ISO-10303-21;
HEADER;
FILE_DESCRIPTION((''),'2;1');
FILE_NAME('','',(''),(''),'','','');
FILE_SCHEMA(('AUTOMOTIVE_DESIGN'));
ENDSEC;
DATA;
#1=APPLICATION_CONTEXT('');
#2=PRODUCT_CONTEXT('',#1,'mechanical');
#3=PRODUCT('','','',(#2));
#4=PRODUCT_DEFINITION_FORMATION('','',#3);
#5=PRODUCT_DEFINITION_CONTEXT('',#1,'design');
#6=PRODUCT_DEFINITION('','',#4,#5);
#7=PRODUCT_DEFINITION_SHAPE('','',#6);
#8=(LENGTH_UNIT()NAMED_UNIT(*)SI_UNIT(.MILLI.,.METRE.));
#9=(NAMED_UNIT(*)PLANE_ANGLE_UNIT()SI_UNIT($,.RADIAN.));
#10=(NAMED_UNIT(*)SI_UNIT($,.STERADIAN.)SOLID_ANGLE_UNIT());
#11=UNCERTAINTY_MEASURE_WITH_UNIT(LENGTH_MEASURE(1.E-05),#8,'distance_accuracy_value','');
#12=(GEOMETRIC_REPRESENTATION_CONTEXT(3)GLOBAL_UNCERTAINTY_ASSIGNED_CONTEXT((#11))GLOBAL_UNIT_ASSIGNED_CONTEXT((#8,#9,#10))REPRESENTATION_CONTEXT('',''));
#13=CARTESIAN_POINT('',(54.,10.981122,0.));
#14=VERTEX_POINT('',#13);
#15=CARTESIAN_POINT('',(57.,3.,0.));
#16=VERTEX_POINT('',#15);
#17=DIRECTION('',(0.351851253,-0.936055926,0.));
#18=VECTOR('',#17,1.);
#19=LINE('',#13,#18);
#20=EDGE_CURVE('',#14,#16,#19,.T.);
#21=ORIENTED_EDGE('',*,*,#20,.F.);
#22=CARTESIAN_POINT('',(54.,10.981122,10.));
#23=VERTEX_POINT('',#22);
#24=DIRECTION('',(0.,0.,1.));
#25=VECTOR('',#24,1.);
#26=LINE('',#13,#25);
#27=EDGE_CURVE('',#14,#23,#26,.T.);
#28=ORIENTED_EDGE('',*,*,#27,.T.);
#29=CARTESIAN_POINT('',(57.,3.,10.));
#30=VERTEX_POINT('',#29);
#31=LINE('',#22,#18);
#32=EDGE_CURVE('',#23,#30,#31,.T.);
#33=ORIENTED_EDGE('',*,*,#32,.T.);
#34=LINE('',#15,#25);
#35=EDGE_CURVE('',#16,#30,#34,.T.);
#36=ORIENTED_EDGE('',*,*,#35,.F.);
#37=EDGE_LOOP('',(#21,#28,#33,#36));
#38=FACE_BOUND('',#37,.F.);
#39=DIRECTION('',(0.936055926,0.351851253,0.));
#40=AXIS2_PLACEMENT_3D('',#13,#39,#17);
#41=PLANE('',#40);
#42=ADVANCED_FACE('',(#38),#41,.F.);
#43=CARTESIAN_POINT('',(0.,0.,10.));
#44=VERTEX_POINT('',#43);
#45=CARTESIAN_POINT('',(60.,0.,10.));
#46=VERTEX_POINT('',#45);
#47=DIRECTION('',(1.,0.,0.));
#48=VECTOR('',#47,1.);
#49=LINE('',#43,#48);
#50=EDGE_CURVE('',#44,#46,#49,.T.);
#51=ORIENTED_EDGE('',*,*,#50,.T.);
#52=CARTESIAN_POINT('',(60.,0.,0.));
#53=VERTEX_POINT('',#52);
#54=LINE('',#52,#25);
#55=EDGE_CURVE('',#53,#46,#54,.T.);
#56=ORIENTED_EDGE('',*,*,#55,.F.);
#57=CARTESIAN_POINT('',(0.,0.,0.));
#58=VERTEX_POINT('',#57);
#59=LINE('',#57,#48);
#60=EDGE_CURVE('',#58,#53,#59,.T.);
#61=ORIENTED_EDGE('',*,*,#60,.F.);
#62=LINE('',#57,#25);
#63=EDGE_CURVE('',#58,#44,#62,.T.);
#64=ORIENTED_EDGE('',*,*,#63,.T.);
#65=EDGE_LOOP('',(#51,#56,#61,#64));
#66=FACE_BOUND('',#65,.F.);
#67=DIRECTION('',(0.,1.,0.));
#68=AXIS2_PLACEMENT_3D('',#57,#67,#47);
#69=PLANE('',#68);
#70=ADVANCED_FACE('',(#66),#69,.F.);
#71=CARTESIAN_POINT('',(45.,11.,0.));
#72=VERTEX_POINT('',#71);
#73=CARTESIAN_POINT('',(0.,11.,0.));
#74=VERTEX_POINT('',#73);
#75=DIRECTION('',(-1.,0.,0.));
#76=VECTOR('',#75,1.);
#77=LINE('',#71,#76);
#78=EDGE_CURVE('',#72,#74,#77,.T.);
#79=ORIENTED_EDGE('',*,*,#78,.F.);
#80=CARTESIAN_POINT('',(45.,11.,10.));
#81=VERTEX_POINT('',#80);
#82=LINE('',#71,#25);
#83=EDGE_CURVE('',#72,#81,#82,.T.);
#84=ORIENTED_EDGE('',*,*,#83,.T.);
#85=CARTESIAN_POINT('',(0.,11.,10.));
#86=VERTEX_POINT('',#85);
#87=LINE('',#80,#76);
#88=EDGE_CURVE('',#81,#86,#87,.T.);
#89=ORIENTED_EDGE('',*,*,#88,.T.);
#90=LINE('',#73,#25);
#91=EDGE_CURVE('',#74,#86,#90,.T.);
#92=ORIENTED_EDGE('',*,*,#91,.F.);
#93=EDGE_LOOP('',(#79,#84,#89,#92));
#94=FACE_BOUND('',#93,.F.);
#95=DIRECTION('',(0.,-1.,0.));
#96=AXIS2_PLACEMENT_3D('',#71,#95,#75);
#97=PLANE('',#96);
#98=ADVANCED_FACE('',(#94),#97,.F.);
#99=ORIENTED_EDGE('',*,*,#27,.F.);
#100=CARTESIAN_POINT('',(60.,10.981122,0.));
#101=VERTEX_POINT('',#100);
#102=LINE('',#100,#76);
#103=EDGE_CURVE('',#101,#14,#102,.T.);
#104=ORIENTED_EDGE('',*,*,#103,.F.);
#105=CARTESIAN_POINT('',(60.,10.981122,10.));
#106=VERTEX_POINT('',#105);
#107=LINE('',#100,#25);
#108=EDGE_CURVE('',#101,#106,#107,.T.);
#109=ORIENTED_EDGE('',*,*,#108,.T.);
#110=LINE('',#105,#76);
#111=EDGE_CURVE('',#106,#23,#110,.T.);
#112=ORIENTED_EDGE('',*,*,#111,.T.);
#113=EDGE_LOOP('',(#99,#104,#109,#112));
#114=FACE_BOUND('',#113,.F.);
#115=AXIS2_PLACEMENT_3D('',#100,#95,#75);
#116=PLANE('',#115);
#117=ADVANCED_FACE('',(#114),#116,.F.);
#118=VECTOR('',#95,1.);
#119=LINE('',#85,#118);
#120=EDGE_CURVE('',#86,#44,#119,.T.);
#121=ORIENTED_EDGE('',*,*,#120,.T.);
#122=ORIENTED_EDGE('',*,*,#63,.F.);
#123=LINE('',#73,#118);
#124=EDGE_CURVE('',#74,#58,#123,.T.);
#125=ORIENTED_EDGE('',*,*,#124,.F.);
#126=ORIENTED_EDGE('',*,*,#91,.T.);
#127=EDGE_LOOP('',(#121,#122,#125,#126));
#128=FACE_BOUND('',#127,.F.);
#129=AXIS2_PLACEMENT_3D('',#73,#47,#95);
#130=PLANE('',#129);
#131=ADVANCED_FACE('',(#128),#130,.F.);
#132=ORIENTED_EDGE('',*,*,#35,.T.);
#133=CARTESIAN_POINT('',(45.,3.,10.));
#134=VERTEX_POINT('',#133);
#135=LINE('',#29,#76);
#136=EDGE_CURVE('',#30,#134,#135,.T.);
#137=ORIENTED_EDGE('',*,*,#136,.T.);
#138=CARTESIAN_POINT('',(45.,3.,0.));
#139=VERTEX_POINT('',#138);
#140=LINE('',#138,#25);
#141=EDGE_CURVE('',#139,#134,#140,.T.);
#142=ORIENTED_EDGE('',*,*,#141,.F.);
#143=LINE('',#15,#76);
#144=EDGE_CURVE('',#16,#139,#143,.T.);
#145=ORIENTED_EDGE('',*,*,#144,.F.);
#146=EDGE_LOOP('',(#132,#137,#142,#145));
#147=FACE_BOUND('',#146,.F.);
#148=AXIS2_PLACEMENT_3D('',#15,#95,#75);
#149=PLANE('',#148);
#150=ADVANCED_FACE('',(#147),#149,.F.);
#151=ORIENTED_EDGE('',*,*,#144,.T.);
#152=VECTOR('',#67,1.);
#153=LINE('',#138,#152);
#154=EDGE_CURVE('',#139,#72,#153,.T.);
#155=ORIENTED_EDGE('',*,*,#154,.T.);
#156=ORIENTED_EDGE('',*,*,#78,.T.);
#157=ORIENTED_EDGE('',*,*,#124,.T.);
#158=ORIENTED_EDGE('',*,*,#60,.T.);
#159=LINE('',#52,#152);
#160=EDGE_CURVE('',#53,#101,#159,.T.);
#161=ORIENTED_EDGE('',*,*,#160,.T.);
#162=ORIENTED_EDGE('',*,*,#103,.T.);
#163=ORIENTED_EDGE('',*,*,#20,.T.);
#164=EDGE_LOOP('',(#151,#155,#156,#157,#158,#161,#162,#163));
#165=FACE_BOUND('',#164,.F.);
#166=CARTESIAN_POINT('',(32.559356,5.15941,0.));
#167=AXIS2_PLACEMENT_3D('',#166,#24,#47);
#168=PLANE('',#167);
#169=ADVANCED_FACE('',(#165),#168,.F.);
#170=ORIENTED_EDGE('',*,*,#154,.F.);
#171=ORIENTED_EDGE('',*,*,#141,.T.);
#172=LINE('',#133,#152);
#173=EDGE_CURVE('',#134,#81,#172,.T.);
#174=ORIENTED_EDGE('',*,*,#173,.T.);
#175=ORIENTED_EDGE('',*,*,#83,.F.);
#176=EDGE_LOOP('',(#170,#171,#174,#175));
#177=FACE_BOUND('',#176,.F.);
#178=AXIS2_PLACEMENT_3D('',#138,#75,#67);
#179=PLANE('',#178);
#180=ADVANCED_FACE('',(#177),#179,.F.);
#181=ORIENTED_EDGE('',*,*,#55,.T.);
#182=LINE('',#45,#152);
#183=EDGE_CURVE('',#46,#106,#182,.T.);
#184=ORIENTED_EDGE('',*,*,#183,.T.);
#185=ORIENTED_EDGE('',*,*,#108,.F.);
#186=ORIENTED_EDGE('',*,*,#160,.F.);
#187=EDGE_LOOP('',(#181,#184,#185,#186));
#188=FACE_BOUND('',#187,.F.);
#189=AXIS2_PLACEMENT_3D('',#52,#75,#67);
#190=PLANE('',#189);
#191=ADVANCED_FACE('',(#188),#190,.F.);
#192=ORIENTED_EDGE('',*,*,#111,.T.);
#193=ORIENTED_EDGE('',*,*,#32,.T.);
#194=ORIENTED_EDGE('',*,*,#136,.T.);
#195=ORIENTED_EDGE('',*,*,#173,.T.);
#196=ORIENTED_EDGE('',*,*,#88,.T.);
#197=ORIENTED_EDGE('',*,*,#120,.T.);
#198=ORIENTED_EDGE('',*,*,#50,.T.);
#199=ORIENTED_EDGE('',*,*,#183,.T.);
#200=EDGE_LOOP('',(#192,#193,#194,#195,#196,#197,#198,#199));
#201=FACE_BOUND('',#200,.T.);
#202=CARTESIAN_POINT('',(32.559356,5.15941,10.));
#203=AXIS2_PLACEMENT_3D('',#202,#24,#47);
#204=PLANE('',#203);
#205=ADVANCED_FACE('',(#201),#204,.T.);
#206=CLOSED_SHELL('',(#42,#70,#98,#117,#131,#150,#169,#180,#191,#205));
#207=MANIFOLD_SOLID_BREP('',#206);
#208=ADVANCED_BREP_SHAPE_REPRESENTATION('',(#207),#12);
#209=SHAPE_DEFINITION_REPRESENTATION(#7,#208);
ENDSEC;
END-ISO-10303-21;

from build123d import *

# Parameters (mm, degrees)
EXTRUDE_DEPTH = 10


with BuildPart() as part:
    # Sketch → Extrude (new body)
    with BuildSketch(Plane.XY):
        Polygon((0, 0), (60, 0), (60, 10.981122), (54, 10.981122), (57, 3), (45, 3), (45, 11), (0, 11), align=None)
    extrude(amount=EXTRUDE_DEPTH)


solid = part.part
